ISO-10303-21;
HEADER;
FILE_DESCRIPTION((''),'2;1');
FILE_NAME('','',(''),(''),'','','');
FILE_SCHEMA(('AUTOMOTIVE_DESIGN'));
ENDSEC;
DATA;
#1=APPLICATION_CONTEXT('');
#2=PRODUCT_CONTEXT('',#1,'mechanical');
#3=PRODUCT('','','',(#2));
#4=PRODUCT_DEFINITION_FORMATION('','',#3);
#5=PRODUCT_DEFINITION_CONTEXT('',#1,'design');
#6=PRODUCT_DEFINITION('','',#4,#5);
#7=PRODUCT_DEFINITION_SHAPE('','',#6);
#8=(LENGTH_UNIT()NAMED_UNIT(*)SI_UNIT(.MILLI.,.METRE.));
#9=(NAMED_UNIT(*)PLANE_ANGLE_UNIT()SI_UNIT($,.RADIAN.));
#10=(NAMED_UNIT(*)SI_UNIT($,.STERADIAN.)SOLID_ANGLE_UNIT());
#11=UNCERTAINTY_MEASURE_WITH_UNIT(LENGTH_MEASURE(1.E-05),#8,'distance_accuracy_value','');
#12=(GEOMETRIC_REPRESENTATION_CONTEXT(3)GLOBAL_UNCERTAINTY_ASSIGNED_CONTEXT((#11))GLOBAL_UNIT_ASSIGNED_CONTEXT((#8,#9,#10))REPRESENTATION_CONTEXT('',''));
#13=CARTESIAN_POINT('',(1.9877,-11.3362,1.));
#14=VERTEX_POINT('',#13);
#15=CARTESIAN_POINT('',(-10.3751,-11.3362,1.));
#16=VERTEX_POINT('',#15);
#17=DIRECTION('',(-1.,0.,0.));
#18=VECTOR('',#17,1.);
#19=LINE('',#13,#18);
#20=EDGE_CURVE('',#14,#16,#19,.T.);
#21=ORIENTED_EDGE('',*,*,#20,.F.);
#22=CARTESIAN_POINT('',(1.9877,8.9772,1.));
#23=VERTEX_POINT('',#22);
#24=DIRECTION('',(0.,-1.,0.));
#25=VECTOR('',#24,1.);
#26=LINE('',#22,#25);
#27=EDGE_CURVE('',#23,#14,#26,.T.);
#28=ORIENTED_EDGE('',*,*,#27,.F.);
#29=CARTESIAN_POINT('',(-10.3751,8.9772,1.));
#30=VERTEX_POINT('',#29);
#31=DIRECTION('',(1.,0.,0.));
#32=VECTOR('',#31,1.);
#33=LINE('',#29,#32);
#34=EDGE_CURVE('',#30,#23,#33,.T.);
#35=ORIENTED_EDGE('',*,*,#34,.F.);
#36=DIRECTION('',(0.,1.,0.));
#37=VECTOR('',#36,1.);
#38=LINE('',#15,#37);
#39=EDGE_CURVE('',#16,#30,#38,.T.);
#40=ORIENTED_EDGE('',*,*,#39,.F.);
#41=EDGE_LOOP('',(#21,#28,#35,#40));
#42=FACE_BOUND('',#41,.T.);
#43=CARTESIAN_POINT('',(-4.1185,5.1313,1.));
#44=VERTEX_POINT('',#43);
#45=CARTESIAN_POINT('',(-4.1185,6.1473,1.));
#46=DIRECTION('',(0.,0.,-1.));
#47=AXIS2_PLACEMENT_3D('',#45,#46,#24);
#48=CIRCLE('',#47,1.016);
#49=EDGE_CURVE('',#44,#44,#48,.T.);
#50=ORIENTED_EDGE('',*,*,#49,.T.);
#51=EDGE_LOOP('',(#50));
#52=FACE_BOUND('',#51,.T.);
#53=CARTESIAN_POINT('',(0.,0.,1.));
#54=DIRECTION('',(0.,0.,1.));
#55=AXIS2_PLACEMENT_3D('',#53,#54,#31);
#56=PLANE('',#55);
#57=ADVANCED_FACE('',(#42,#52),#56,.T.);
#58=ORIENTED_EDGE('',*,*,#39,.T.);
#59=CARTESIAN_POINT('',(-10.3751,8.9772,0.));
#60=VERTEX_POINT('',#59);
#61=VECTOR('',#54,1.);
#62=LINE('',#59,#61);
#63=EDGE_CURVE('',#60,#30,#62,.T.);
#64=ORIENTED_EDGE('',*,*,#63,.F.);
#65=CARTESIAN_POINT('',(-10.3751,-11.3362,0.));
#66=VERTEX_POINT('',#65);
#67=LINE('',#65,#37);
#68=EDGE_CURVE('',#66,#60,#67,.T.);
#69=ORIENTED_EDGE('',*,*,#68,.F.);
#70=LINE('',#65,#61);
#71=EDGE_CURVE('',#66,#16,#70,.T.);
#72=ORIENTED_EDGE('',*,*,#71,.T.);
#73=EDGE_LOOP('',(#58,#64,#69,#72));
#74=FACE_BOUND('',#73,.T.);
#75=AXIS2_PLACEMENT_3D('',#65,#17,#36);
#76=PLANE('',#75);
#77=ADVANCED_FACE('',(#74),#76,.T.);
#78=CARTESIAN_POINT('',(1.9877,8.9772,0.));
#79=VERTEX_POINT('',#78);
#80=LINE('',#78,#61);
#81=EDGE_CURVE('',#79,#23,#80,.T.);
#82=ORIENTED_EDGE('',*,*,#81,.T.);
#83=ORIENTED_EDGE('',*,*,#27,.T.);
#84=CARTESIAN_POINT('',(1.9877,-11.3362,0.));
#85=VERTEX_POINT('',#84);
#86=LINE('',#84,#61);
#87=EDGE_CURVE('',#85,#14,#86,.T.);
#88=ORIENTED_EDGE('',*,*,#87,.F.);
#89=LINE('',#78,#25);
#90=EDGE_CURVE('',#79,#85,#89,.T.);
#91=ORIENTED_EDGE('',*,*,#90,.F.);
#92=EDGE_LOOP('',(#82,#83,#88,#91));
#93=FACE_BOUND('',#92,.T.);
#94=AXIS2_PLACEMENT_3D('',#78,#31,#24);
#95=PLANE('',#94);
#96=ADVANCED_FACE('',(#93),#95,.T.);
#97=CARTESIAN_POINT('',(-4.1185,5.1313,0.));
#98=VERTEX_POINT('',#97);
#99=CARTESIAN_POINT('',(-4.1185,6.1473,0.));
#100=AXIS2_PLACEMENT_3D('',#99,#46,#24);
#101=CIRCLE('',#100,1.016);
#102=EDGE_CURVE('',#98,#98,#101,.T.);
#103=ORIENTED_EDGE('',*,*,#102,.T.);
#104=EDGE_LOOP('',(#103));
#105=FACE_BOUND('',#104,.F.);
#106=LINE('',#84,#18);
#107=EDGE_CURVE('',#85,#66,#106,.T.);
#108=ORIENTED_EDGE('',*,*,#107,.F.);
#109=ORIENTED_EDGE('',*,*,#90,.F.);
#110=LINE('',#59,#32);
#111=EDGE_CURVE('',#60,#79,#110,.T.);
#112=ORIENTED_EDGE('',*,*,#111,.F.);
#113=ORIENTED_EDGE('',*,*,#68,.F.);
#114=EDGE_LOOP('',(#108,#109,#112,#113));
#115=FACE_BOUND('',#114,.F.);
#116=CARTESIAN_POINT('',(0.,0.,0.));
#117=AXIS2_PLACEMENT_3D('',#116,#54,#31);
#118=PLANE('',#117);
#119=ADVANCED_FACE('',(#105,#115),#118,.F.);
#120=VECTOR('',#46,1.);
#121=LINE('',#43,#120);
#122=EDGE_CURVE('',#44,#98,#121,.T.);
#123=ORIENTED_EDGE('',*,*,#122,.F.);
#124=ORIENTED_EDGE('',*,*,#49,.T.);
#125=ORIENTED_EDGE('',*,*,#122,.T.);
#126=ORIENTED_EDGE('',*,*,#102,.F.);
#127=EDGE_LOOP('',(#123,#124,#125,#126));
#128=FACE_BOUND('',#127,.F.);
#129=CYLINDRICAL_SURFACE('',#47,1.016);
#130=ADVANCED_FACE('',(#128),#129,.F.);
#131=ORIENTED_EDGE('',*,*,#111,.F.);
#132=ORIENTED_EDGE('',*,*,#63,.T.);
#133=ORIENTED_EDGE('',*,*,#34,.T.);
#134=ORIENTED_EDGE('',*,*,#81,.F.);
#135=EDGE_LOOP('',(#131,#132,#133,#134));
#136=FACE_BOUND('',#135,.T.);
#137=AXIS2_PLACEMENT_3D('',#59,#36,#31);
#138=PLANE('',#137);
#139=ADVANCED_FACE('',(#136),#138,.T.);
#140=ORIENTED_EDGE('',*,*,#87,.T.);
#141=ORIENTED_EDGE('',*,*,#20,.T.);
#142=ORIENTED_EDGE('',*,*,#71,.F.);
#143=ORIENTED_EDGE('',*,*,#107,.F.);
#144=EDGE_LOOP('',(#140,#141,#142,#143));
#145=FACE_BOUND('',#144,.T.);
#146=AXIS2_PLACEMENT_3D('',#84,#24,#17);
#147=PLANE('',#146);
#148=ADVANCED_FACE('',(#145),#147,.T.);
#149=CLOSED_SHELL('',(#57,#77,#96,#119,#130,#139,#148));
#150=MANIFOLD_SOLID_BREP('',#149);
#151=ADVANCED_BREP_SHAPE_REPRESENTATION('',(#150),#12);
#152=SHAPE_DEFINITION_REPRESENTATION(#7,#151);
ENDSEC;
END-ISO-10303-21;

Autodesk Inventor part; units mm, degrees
ref_plane "YZ Plane" through (0, 0, 0) normal (1, 0, 0) x (0, 1, 0)
ref_plane "XZ Plane" through (0, 0, 0) normal (0, 1, 0) x (-1, 0, 0)
ref_plane "XY Plane" through (0, 0, 0) normal (0, 0, 1) x (1, 0, 0)
sketch "Sketch1" plane through (0, 0, 0) normal (0, 0, 1) x (1, 0, 0)
  line L0 (-10.3751, 8.9772) -> (1.9877, 8.9772)
  line L1 (1.9877, 8.9772) -> (1.9877, -11.3362)
  line L2 (1.9877, -11.3362) -> (-10.3751, -11.3362)
  line L3 (-10.3751, -11.3362) -> (-10.3751, 8.9772)
  point P0 (0, 0)
extrude "Extrusion1" add sketch "Sketch1" along normal blind 1
sketch "Sketch2" plane through (0, 0, 1) normal (0, 0, 1) x (1, 0, 0)
  point P0 (0, 0)
  point P1 (-4.1185, 6.1473)
hole "Hole1" at (-4.1185, 6.1473, 1) direction (0, 0, -1) diameter 2.032 end through all clearance for "Flat Head Machine Screw (82)" size "#0" standard "Ansi Unified Screw Threads"
properties part number "side"
